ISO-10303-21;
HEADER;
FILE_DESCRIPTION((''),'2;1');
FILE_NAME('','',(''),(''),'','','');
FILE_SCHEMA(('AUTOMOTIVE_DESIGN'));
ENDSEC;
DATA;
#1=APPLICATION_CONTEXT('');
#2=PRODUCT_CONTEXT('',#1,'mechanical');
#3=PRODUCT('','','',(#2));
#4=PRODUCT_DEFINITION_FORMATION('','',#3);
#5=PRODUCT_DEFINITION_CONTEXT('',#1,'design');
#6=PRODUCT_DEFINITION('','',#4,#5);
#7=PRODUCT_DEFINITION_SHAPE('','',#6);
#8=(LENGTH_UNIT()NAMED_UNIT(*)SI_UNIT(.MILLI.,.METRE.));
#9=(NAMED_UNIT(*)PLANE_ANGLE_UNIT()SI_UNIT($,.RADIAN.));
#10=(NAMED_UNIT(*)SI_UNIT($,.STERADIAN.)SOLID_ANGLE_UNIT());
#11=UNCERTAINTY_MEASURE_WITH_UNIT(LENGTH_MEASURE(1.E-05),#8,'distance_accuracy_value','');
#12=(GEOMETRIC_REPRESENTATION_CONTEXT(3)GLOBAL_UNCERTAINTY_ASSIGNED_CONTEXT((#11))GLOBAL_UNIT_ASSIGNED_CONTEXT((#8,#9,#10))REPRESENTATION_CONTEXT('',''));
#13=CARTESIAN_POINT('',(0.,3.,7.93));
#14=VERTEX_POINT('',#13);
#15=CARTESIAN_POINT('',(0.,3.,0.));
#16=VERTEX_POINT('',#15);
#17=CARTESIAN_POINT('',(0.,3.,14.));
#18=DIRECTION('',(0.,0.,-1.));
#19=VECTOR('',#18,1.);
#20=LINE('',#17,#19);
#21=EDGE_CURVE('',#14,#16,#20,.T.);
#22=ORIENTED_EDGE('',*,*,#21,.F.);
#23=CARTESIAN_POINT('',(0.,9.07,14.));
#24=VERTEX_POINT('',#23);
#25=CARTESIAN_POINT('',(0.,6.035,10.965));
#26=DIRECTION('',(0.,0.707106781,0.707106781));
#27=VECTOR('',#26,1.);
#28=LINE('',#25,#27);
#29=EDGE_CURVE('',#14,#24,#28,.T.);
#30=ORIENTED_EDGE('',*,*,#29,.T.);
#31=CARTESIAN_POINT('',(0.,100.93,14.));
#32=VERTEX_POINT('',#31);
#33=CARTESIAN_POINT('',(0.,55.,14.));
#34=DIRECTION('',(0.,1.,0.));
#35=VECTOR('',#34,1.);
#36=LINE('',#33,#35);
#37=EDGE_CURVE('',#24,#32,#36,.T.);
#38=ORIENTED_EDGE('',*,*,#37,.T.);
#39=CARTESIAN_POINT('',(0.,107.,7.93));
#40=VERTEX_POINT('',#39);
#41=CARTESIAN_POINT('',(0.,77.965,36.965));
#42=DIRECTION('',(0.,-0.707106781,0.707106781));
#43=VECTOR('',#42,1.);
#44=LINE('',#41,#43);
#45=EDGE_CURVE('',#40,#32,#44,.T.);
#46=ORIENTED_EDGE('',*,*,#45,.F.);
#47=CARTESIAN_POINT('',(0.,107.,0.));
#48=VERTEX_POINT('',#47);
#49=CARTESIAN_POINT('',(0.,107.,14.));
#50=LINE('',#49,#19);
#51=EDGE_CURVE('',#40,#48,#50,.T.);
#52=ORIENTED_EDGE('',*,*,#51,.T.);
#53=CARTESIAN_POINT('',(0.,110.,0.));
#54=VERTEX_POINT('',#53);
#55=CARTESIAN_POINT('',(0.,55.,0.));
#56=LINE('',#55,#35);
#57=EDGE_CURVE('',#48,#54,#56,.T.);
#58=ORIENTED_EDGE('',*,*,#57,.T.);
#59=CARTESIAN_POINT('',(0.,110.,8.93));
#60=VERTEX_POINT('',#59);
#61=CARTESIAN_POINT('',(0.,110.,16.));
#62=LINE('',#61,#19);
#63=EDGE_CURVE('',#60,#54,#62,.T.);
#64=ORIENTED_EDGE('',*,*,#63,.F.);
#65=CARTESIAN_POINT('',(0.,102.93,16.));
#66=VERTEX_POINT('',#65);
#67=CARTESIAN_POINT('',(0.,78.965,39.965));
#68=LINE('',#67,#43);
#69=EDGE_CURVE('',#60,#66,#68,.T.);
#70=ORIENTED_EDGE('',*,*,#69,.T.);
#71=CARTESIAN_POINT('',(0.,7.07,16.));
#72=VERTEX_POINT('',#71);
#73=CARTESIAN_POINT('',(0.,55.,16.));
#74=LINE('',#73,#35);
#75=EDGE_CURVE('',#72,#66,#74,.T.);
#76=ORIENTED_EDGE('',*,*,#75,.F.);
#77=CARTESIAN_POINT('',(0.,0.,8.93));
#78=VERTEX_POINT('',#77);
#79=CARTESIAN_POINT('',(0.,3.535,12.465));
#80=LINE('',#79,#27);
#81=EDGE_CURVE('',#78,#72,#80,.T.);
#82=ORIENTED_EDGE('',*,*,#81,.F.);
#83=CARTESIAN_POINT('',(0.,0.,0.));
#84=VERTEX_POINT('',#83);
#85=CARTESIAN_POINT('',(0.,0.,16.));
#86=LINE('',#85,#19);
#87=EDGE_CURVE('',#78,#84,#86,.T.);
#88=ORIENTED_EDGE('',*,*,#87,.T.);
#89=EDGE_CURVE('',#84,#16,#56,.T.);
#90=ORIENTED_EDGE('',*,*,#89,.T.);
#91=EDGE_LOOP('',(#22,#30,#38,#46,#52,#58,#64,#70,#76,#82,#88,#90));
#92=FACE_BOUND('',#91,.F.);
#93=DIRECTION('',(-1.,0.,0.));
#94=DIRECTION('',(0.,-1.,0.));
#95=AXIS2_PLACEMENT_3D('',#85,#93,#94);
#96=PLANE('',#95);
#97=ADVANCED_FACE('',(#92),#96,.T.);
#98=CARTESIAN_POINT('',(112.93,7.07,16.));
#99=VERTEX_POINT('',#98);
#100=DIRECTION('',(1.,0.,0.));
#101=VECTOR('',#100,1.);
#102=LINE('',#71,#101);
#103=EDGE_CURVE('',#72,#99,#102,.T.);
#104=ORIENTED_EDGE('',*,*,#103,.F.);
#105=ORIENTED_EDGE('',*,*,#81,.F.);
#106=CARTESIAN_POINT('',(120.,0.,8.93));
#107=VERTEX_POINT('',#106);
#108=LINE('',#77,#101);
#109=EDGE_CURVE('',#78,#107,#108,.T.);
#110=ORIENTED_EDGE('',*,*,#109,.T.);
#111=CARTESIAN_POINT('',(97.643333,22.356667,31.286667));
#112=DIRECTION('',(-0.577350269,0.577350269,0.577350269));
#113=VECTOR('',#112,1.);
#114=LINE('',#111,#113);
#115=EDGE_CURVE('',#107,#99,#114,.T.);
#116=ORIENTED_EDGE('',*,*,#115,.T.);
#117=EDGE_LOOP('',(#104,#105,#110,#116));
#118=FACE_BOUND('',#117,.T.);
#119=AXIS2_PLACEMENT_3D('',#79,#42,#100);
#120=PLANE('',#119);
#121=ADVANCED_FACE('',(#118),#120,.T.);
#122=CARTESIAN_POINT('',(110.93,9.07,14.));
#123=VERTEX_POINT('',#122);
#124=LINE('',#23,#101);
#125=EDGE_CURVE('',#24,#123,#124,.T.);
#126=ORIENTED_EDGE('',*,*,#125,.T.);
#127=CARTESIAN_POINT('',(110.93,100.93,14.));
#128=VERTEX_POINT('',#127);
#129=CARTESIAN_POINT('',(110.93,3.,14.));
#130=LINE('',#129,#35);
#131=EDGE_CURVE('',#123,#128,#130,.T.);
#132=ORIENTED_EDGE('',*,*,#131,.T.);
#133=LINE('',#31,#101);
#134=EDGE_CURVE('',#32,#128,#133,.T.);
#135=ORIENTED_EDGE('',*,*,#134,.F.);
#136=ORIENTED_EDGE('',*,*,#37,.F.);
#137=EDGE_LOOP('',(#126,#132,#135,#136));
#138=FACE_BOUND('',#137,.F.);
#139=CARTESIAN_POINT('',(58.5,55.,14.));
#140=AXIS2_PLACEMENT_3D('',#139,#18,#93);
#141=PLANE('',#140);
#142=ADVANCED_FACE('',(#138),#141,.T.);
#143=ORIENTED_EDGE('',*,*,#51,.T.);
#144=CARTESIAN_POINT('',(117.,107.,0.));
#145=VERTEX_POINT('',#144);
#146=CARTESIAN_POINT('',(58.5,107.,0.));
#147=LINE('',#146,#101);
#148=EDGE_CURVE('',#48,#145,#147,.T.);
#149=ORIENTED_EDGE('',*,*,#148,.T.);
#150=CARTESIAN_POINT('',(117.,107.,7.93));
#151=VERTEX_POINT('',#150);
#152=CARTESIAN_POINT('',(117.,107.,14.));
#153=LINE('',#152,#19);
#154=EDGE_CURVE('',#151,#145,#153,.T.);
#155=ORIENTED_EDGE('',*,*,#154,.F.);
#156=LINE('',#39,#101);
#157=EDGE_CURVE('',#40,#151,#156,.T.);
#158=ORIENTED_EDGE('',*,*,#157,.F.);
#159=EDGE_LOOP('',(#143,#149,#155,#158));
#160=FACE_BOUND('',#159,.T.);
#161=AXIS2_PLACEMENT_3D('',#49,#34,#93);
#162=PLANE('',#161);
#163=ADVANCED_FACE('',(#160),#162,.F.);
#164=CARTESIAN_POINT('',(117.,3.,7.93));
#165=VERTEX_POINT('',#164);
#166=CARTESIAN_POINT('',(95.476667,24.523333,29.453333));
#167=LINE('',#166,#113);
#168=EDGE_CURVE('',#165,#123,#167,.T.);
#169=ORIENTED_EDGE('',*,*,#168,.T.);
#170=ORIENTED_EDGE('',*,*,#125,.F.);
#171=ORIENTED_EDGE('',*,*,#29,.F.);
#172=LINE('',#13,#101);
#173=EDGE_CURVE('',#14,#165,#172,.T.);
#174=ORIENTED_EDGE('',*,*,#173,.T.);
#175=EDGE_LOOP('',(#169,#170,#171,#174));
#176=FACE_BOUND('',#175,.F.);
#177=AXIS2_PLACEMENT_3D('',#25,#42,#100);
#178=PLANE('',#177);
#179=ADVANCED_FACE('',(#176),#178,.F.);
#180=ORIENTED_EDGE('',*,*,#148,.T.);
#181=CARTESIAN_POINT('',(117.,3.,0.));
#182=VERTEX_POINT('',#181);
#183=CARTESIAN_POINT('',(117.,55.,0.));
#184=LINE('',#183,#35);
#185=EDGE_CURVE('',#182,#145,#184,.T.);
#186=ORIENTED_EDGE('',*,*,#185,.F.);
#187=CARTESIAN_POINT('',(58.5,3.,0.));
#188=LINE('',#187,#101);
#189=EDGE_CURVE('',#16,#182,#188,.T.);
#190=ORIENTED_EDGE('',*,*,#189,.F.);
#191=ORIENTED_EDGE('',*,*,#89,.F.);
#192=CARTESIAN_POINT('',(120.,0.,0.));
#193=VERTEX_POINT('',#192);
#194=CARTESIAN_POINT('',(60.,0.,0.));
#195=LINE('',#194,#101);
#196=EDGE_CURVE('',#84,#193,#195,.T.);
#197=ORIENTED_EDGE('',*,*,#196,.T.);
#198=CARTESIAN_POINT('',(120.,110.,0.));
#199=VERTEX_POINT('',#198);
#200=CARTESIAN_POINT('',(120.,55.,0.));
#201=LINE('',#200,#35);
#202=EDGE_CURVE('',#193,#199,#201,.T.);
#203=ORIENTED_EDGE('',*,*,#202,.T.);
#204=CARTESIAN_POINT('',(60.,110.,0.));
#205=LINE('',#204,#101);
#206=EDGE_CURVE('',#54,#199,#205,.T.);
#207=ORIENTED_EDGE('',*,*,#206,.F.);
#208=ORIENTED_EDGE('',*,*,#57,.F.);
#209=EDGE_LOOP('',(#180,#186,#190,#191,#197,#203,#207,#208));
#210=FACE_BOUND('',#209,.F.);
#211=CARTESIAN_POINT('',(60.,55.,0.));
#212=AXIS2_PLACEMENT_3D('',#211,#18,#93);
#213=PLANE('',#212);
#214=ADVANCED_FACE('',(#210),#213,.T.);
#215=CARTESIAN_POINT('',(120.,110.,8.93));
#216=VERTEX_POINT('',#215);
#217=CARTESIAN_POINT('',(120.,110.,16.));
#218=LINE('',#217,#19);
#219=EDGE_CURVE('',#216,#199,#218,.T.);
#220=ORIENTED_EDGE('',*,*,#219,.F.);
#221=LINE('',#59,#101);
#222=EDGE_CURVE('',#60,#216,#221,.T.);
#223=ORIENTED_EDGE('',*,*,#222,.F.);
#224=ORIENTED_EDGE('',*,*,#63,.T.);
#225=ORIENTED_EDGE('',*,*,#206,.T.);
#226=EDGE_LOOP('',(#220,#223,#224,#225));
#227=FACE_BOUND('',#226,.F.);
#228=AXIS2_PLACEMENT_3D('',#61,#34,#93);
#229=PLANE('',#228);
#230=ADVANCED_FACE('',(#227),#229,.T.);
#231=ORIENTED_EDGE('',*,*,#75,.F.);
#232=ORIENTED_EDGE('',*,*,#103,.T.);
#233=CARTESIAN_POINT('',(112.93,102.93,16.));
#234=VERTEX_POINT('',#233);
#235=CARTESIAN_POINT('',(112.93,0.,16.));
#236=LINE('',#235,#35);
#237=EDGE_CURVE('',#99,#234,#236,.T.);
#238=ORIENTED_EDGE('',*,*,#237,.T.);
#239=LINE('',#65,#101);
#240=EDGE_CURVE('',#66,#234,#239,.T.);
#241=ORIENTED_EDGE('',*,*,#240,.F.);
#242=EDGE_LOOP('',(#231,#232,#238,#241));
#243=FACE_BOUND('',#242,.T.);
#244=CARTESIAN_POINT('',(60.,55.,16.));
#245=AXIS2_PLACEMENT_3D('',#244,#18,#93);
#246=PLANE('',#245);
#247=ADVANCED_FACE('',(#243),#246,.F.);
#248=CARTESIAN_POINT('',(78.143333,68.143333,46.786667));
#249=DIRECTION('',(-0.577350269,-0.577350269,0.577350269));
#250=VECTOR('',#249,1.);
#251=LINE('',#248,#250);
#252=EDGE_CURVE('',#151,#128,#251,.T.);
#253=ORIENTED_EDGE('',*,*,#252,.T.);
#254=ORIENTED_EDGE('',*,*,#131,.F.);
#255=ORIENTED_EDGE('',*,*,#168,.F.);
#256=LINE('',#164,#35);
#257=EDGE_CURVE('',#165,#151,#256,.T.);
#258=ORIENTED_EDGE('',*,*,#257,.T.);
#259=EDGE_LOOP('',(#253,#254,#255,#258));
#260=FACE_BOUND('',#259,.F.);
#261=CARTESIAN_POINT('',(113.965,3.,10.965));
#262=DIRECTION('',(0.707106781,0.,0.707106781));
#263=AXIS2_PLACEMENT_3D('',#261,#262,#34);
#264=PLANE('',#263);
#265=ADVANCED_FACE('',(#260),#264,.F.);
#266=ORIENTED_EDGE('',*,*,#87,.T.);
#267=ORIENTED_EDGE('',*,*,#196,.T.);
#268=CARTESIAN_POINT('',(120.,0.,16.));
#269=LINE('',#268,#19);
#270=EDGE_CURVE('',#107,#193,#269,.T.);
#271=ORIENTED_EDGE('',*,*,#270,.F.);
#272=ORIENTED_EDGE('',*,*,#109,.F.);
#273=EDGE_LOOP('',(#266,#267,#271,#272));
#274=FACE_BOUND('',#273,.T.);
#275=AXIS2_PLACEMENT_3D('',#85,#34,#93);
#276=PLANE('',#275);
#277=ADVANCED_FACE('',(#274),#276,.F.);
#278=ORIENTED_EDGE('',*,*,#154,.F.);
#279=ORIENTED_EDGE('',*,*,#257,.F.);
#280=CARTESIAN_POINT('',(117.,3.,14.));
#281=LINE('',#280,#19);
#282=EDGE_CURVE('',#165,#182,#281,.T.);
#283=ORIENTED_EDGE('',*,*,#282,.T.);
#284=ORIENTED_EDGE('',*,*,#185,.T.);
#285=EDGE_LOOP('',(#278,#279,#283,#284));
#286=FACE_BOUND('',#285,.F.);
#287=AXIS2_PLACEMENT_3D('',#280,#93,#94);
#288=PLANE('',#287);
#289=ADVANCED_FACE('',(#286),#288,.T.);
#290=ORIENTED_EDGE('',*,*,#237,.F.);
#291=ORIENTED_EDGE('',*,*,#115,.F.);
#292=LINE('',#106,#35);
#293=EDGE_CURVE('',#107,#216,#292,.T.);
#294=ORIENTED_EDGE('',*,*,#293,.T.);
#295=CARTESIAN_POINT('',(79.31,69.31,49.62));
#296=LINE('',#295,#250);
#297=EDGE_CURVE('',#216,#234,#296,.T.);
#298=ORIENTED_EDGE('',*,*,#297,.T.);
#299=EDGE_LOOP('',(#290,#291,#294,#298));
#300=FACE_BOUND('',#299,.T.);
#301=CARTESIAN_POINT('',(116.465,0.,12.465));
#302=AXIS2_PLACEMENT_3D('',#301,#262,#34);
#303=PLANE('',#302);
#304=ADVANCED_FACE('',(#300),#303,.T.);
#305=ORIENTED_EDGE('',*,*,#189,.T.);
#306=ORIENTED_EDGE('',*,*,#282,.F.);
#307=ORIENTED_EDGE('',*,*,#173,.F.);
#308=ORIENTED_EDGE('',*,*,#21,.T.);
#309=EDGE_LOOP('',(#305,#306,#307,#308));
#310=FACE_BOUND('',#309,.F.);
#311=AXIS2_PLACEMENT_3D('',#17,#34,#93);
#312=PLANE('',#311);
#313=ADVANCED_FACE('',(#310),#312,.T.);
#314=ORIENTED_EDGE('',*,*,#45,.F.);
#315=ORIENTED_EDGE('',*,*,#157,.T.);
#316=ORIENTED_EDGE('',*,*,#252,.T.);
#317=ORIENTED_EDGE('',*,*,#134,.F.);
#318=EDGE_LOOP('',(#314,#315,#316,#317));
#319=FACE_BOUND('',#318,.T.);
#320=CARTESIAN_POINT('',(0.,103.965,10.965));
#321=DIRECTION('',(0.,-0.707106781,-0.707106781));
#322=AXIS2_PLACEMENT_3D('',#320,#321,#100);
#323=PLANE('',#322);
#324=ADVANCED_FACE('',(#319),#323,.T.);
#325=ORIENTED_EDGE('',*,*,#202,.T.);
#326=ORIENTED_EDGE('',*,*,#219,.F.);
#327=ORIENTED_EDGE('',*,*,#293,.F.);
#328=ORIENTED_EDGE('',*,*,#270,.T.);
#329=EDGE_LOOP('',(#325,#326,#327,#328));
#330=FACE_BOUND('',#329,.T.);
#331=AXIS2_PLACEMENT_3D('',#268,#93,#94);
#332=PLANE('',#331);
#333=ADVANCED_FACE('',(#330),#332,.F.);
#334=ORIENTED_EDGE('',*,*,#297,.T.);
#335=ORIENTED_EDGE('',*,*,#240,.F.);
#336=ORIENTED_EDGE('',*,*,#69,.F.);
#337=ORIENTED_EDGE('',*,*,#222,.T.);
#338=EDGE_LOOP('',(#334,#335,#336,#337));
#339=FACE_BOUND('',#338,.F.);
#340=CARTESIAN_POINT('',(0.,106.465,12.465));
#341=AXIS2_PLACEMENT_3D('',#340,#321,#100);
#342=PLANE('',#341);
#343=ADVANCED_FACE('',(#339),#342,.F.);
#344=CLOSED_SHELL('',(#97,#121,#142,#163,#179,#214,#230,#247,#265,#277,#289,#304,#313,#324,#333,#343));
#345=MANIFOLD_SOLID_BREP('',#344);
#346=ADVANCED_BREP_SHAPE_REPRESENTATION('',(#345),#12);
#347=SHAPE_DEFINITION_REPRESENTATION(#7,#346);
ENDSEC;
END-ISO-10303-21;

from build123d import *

# Parameters (mm, degrees)
BOX035_W               = 117
BOX035_H               = 104
BOX035_DEPTH           = 14
CHAMFER004_SIZE        = 6.07
BOX034_W               = 120
BOX034_H               = 110
BOX034_DEPTH           = 16
CHAMFER003_SIZE        = 7.07
CUT032_PLACEMENT_ANGLE = 180


with BuildPart() as chamfer004:
    # Box035 → Box035 (new body)
    with BuildSketch(Plane(origin=(0, 3, 2), x_dir=(1, 0, 0), z_dir=(0, 0, 1))):
        with Locations((58.5, 52)):
            Rectangle(BOX035_W, BOX035_H)
    extrude(amount=BOX035_DEPTH)

    # Chamfer004
    chamfer004_edges = [chamfer004.edges().sort_by_distance(p)[0] for p in [
        (117, 55, 2),
        (58.5, 3, 2),
        (58.5, 107, 2),
    ]]
    chamfer(chamfer004_edges, length=CHAMFER004_SIZE)


with BuildPart() as deckel_cut_basis:
    # Box034 → Box034 (new body)
    with BuildSketch(Plane.XY):
        with Locations((60, 55)):
            Rectangle(BOX034_W, BOX034_H)
    extrude(amount=BOX034_DEPTH)

    # Chamfer003
    chamfer003_edges = [deckel_cut_basis.edges().sort_by_distance(p)[0] for p in [
        (120, 55, 0),
        (60, 0, 0),
        (60, 110, 0),
    ]]
    chamfer(chamfer003_edges, length=CHAMFER003_SIZE)

    # Cut032: cut Chamfer004
    add(chamfer004.part, mode=Mode.SUBTRACT)


with BuildPart() as deckel_cut_basis_1:
    # Cut032 placement: moved
    add(deckel_cut_basis.part.rotate(Axis((0, 0, 0), (1, 0, 0)), CUT032_PLACEMENT_ANGLE))


with BuildPart() as mirror_of_deckel_cut_konstruktion:
    # mirror: instance of Deckel_Cut_Basis
    add(deckel_cut_basis_1.part.mirror(Plane(origin=(0, 0, 0), x_dir=(1, 0, 0), z_dir=(0, 1, 0))))


with BuildPart() as mirror_of_deckel_cut_konstruktion_1:
    # mirror placement: moved
    add(mirror_of_deckel_cut_konstruktion.part.moved(Location((0, 0, 16))))


solid = mirror_of_deckel_cut_konstruktion_1.part
